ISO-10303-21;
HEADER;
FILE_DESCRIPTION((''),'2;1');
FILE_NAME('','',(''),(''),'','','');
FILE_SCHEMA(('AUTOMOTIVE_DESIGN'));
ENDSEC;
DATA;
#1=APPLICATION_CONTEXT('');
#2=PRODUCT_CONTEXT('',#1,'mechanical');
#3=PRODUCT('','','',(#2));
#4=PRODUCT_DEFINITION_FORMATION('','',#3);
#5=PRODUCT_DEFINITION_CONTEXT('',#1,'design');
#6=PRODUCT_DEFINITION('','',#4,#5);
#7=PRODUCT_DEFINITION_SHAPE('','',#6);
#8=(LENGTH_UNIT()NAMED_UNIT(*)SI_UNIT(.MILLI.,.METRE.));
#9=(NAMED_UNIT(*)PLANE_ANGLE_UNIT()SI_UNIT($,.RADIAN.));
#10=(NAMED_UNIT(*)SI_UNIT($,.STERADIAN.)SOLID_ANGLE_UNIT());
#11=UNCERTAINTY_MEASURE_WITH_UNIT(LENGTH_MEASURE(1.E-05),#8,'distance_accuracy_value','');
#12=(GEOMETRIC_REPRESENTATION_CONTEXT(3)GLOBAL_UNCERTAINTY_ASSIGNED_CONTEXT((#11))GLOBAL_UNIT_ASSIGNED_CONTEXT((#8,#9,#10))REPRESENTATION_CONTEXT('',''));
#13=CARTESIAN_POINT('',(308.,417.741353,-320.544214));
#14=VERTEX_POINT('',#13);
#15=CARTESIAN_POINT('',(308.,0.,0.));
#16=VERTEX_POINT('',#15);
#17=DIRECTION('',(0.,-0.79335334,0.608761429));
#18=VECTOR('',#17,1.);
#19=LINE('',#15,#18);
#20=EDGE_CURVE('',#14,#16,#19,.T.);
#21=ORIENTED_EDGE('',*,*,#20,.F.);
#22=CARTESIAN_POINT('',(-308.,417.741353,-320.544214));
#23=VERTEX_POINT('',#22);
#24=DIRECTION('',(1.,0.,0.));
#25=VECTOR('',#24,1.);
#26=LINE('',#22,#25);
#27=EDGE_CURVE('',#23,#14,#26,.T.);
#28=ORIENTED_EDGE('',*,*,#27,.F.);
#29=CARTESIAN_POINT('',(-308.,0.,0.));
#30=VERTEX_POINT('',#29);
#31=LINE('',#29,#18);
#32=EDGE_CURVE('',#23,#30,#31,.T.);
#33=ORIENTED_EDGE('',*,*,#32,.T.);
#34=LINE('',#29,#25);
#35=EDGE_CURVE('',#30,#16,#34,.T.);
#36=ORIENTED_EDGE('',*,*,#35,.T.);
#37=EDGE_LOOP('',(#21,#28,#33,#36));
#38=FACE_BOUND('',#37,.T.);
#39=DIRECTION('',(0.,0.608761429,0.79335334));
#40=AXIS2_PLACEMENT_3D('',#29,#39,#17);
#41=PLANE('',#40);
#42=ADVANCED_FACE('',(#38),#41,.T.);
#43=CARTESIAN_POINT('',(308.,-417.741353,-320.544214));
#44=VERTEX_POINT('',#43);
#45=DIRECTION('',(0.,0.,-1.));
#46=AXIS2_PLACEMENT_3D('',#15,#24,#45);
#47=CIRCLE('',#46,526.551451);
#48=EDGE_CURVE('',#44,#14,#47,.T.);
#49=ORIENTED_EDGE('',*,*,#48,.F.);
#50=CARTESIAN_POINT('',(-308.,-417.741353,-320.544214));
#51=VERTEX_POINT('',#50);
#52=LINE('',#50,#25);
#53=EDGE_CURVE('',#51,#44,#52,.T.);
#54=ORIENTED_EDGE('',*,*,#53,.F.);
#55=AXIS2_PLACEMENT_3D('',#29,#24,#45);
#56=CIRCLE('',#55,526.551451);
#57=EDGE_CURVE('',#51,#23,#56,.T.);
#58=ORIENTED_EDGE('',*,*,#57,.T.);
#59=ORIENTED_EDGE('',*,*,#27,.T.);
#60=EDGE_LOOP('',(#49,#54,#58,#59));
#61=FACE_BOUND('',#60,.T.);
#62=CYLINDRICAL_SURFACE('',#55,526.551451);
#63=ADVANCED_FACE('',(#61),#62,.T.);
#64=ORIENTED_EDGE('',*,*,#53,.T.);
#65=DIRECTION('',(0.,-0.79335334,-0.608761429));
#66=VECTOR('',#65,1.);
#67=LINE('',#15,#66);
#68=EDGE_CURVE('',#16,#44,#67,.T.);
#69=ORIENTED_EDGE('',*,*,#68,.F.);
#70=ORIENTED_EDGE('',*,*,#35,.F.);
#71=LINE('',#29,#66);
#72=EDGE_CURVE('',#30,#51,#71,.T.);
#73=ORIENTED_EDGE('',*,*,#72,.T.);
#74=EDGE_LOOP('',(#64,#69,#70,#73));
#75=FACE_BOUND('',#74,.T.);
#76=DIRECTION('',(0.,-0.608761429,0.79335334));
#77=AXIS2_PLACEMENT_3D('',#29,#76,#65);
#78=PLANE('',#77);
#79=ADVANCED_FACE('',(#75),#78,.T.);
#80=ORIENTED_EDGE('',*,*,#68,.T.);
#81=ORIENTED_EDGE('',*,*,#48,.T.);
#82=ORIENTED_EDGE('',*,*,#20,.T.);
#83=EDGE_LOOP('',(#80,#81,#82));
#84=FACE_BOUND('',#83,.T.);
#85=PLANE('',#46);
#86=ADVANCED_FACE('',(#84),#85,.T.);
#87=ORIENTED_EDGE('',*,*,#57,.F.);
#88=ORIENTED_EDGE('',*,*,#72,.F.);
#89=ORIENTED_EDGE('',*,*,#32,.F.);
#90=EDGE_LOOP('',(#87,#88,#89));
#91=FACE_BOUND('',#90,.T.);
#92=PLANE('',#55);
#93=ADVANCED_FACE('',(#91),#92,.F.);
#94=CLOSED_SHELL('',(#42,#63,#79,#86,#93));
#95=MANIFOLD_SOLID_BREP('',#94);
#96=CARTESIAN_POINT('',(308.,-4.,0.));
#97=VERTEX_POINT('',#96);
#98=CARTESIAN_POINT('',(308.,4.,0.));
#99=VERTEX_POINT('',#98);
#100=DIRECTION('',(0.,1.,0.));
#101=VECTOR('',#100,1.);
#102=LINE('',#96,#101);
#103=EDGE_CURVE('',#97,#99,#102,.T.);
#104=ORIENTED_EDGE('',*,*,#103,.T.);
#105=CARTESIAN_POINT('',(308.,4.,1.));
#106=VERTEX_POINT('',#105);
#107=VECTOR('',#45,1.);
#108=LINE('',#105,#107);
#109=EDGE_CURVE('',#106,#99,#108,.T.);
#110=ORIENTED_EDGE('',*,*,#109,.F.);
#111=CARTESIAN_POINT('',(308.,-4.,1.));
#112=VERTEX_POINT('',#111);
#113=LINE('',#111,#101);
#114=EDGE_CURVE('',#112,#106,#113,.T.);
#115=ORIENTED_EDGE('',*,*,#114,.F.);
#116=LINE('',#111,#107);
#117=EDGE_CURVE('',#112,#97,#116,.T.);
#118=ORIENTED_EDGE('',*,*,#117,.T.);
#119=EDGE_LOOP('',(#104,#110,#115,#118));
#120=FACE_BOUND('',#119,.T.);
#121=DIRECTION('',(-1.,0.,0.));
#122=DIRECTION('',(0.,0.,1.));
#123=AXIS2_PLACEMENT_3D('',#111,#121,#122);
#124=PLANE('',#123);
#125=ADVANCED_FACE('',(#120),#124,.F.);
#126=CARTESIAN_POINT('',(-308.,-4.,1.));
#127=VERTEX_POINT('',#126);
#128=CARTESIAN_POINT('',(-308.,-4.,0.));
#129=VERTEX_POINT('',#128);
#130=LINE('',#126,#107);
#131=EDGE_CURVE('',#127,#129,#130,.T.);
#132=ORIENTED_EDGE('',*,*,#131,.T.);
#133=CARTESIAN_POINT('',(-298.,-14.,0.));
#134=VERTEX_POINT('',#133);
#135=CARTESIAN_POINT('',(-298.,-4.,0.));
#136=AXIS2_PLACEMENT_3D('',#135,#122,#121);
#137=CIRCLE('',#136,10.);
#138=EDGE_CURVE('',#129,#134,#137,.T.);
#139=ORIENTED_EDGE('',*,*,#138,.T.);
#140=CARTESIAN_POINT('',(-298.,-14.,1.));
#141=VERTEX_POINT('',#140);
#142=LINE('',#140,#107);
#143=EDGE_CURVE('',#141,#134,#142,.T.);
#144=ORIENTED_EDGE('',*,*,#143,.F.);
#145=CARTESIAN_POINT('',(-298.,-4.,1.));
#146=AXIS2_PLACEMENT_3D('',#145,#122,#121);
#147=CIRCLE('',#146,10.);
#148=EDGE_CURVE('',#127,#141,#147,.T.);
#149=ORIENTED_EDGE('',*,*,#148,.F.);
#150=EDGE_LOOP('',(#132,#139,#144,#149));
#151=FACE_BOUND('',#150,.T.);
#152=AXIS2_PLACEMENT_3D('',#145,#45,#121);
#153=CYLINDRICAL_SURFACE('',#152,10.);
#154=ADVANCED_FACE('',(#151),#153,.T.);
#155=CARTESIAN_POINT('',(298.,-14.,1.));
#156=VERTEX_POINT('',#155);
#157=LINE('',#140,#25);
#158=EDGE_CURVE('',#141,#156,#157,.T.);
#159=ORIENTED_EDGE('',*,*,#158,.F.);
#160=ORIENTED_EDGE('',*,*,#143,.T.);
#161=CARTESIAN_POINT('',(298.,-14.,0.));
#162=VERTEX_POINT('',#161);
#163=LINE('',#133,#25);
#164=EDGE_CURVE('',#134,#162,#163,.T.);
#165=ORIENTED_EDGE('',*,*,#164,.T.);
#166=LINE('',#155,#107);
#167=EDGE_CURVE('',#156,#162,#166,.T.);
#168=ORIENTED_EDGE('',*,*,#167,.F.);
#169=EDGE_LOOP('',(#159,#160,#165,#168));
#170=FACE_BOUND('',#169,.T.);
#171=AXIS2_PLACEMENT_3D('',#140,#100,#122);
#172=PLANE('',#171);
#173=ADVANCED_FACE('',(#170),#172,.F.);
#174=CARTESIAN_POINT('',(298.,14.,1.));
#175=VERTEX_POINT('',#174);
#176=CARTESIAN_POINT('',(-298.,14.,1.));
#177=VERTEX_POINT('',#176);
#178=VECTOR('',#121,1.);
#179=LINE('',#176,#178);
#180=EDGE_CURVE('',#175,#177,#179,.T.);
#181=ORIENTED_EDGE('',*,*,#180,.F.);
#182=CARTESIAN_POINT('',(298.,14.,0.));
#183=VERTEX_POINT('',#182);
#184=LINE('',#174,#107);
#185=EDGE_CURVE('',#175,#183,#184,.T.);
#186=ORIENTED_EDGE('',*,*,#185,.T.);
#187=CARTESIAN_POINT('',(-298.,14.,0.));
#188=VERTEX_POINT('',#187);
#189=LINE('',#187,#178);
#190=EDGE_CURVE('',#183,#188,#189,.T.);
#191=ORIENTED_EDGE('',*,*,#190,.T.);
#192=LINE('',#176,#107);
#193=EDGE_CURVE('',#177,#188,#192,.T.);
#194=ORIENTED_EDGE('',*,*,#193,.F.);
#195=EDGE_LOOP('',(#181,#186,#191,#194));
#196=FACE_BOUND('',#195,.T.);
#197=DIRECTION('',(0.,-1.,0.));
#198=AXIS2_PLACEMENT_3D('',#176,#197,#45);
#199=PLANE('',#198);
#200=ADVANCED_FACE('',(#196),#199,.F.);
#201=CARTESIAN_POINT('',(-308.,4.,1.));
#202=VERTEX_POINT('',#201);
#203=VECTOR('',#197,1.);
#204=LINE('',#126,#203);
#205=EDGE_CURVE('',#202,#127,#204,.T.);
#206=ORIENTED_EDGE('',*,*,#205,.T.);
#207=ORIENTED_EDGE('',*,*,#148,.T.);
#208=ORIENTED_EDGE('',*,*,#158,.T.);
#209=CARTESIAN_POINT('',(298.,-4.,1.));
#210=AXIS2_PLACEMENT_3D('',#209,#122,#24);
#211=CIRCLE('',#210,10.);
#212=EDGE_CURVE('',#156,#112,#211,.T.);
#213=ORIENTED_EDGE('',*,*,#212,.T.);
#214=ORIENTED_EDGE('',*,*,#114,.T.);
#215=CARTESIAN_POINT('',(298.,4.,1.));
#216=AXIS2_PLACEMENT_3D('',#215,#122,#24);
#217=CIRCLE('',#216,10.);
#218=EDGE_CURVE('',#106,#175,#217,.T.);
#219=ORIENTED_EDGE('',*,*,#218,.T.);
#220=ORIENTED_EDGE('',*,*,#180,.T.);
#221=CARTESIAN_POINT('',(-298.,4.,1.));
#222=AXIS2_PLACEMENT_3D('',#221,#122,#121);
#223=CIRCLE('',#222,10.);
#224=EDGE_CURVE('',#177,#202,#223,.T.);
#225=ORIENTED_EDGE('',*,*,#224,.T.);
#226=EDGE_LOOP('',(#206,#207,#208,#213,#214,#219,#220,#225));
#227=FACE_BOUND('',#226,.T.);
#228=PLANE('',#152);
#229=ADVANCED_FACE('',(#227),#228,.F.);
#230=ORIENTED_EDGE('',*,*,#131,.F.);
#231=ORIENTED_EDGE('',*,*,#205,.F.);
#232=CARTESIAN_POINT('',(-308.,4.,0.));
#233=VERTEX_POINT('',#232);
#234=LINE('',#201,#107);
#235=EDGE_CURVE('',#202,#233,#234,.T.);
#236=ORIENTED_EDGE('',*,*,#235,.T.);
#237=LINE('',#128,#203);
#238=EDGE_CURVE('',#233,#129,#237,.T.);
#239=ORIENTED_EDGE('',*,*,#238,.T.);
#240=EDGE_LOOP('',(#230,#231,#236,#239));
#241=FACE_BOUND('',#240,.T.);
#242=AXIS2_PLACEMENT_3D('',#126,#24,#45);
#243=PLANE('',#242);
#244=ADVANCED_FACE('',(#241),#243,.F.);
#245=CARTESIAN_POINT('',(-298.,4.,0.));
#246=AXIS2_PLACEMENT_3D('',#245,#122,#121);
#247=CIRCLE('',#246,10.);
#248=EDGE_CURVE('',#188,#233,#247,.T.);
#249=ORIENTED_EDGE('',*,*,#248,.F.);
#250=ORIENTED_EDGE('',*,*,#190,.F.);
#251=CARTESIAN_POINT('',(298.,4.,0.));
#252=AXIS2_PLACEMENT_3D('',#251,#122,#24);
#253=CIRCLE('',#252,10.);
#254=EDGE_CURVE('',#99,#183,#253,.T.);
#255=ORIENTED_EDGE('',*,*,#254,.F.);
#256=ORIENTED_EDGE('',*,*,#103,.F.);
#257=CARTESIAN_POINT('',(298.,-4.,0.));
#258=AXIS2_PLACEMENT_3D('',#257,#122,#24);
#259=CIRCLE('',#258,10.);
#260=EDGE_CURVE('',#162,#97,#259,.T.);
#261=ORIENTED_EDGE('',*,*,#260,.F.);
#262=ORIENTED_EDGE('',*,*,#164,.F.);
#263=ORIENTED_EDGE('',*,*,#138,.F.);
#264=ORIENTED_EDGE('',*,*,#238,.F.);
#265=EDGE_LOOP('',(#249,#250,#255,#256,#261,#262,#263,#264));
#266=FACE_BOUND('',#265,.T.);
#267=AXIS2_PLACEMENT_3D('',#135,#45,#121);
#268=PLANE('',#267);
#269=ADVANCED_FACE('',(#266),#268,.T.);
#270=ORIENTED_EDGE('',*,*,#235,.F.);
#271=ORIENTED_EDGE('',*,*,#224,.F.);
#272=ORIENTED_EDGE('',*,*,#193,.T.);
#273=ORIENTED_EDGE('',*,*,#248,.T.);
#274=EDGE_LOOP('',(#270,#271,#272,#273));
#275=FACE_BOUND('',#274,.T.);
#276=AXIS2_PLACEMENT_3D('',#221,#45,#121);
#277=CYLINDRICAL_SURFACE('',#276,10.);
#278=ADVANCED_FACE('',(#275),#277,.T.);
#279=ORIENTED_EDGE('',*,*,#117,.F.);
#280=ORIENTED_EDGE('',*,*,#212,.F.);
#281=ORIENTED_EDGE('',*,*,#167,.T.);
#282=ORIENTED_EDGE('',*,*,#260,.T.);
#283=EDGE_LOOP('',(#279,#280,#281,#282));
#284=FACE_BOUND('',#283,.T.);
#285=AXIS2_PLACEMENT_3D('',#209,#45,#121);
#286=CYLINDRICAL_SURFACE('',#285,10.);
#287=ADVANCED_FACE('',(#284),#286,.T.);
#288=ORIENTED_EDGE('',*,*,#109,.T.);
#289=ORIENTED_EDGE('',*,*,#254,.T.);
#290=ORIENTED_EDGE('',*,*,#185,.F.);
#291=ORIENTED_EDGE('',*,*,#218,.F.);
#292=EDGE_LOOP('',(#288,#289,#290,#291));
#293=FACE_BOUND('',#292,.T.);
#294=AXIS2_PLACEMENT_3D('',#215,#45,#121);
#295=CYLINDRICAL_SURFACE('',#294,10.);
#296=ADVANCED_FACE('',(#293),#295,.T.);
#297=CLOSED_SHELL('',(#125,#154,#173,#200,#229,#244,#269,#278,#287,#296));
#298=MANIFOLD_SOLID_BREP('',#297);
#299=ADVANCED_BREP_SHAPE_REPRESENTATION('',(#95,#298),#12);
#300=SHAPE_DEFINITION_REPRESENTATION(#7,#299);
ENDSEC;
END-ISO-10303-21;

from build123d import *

# Parameters (mm, degrees)
BOSS_EXTRU_1_DEPTH = 1
BOSS_EXTRU_2_DEPTH = 616


with BuildPart() as part:
    # Esquisse1 → Boss.-Extru.1 (new body)
    with BuildSketch(Plane.XY):
        with BuildLine():
            Line((-298, -14), (298, -14))
            ThreePointArc((298, -14), (305.071067812, -11.071067812), (308, -4))
            Line((308, -4), (308, 4))
            ThreePointArc((308, 4), (305.071067812, 11.071067812), (298, 14))
            Line((298, 14), (-298, 14))
            ThreePointArc((-298, 14), (-305.071067812, 11.071067812), (-308, 4))
            Line((-308, 4), (-308, -4))
            ThreePointArc((-308, -4), (-305.071067812, -11.071067812), (-298, -14))
        make_face()
    extrude(amount=BOSS_EXTRU_1_DEPTH)


with BuildPart() as body_2:
    # Esquisse3 → Boss.-Extru.2 (new, through all)
    with BuildSketch(Plane(origin=(308, 0, 0), x_dir=(0, 0, -1), z_dir=(1, 0, 0))):
        with BuildLine():
            Line((0, 0), (320.54421388, 417.741352646))
            ThreePointArc((320.54421388, 417.741352646), (526.551451202, 0), (320.54421388, -417.741352646))
            Line((320.54421388, -417.741352646), (0, 0))
        make_face()
    extrude(amount=-BOSS_EXTRU_2_DEPTH)


solid = Compound([part.part, body_2.part])
